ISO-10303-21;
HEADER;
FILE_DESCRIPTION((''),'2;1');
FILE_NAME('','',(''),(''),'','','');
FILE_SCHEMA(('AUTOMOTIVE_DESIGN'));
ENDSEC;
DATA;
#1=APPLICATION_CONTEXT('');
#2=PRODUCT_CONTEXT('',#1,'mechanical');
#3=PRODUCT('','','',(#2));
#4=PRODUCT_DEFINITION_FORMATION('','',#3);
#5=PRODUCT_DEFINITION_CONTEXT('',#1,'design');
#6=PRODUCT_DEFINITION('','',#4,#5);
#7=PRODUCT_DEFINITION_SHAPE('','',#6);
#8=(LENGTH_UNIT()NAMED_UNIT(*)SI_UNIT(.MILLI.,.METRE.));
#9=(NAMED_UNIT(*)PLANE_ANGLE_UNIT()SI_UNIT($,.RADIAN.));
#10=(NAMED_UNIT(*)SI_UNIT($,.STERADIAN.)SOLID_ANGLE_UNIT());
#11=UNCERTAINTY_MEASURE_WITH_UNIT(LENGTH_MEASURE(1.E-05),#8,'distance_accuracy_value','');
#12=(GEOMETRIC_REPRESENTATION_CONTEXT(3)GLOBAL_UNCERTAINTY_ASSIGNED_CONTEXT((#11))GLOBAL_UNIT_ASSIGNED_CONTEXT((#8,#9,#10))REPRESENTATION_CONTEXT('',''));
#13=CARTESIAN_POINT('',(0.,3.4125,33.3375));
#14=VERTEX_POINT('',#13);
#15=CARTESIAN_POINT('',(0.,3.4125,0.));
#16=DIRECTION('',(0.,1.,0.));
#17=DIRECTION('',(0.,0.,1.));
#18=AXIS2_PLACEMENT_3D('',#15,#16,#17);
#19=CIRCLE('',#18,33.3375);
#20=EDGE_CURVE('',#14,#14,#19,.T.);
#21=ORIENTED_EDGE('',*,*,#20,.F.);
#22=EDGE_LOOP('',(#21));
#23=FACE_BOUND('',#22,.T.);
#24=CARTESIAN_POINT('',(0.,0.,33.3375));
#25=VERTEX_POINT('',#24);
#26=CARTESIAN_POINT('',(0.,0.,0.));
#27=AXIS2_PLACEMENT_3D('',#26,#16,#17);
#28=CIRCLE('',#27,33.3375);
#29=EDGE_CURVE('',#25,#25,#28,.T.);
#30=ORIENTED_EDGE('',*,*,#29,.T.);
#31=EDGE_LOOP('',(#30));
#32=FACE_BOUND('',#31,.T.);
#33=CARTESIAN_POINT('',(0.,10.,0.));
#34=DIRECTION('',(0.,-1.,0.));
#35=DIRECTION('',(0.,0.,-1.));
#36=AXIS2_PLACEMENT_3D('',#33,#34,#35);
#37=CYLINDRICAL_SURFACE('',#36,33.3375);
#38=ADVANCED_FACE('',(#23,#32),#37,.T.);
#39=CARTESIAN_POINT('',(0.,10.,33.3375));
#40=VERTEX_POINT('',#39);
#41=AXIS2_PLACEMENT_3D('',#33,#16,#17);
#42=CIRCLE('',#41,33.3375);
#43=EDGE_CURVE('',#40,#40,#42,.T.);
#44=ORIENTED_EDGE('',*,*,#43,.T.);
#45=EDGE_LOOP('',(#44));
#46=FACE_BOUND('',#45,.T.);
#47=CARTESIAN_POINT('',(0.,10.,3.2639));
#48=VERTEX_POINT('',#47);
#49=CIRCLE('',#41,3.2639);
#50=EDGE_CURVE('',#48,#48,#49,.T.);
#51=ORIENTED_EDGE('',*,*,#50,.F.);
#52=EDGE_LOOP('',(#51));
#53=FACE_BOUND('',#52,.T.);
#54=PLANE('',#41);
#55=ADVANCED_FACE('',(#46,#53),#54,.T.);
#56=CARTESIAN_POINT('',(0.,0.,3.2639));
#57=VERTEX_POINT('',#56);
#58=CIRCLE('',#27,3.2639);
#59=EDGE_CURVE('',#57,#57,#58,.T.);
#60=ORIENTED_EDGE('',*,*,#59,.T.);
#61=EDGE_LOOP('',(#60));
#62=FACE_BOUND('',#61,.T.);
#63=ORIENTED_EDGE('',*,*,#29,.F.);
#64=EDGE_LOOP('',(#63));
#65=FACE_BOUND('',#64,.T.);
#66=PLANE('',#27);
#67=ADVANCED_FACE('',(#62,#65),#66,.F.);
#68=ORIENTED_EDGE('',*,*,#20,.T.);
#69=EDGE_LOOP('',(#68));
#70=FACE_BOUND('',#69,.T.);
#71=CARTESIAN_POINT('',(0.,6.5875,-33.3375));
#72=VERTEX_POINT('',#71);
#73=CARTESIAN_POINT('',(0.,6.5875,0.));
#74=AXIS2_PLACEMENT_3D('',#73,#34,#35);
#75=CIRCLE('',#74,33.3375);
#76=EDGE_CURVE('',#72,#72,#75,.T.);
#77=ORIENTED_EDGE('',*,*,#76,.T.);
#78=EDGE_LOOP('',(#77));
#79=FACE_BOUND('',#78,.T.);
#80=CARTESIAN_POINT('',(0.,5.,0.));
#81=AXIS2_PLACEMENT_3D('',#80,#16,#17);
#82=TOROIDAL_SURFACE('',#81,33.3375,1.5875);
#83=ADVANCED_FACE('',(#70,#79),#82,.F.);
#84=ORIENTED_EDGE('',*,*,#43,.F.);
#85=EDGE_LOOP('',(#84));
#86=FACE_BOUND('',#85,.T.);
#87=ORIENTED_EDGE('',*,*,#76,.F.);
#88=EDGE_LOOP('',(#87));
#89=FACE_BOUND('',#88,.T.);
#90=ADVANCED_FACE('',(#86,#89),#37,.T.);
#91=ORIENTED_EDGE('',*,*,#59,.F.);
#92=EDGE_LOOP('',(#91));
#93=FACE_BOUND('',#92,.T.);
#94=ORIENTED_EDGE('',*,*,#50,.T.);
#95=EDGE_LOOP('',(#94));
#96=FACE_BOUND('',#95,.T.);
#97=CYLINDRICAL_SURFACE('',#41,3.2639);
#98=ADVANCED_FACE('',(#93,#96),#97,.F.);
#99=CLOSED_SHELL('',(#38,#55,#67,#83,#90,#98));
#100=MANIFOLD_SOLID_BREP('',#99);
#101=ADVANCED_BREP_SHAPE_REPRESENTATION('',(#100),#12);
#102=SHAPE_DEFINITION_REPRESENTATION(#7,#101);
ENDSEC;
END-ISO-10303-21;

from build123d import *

# Parameters (mm, degrees)
SKETCH1_R                = 33.3375
BOSS_EXTRUDE1_DEPTH      = 10
SKETCH2_R                = 1.5875
F_5_16_18_TAPPED_HOLE1_D = 6.5278


with BuildPart() as part:
    # Sketch1 → Boss-Extrude1 (new body)
    with BuildSketch(Plane(origin=(0, 0, 0), x_dir=(1, 0, 0), z_dir=(0, 1, 0))):
        Circle(SKETCH1_R)
    extrude(amount=BOSS_EXTRUDE1_DEPTH)

    # Sketch2 → Cut-Revolve1 (revolve, cut)
    with BuildSketch(Plane.XY):
        with Locations((33.3375, 5)):
            Circle(SKETCH2_R)
    revolve(axis=Axis((0, 10, 0), (0, -1, 0)), mode=Mode.SUBTRACT)

    # 5/16-18 Tapped Hole1 (through all)
    with Locations(Plane(origin=(0, 10, 0), x_dir=(1, 0, 0), z_dir=(0, 1, 0))):
        with Locations((0, 0)):
            Hole(F_5_16_18_TAPPED_HOLE1_D / 2)


solid = part.part
